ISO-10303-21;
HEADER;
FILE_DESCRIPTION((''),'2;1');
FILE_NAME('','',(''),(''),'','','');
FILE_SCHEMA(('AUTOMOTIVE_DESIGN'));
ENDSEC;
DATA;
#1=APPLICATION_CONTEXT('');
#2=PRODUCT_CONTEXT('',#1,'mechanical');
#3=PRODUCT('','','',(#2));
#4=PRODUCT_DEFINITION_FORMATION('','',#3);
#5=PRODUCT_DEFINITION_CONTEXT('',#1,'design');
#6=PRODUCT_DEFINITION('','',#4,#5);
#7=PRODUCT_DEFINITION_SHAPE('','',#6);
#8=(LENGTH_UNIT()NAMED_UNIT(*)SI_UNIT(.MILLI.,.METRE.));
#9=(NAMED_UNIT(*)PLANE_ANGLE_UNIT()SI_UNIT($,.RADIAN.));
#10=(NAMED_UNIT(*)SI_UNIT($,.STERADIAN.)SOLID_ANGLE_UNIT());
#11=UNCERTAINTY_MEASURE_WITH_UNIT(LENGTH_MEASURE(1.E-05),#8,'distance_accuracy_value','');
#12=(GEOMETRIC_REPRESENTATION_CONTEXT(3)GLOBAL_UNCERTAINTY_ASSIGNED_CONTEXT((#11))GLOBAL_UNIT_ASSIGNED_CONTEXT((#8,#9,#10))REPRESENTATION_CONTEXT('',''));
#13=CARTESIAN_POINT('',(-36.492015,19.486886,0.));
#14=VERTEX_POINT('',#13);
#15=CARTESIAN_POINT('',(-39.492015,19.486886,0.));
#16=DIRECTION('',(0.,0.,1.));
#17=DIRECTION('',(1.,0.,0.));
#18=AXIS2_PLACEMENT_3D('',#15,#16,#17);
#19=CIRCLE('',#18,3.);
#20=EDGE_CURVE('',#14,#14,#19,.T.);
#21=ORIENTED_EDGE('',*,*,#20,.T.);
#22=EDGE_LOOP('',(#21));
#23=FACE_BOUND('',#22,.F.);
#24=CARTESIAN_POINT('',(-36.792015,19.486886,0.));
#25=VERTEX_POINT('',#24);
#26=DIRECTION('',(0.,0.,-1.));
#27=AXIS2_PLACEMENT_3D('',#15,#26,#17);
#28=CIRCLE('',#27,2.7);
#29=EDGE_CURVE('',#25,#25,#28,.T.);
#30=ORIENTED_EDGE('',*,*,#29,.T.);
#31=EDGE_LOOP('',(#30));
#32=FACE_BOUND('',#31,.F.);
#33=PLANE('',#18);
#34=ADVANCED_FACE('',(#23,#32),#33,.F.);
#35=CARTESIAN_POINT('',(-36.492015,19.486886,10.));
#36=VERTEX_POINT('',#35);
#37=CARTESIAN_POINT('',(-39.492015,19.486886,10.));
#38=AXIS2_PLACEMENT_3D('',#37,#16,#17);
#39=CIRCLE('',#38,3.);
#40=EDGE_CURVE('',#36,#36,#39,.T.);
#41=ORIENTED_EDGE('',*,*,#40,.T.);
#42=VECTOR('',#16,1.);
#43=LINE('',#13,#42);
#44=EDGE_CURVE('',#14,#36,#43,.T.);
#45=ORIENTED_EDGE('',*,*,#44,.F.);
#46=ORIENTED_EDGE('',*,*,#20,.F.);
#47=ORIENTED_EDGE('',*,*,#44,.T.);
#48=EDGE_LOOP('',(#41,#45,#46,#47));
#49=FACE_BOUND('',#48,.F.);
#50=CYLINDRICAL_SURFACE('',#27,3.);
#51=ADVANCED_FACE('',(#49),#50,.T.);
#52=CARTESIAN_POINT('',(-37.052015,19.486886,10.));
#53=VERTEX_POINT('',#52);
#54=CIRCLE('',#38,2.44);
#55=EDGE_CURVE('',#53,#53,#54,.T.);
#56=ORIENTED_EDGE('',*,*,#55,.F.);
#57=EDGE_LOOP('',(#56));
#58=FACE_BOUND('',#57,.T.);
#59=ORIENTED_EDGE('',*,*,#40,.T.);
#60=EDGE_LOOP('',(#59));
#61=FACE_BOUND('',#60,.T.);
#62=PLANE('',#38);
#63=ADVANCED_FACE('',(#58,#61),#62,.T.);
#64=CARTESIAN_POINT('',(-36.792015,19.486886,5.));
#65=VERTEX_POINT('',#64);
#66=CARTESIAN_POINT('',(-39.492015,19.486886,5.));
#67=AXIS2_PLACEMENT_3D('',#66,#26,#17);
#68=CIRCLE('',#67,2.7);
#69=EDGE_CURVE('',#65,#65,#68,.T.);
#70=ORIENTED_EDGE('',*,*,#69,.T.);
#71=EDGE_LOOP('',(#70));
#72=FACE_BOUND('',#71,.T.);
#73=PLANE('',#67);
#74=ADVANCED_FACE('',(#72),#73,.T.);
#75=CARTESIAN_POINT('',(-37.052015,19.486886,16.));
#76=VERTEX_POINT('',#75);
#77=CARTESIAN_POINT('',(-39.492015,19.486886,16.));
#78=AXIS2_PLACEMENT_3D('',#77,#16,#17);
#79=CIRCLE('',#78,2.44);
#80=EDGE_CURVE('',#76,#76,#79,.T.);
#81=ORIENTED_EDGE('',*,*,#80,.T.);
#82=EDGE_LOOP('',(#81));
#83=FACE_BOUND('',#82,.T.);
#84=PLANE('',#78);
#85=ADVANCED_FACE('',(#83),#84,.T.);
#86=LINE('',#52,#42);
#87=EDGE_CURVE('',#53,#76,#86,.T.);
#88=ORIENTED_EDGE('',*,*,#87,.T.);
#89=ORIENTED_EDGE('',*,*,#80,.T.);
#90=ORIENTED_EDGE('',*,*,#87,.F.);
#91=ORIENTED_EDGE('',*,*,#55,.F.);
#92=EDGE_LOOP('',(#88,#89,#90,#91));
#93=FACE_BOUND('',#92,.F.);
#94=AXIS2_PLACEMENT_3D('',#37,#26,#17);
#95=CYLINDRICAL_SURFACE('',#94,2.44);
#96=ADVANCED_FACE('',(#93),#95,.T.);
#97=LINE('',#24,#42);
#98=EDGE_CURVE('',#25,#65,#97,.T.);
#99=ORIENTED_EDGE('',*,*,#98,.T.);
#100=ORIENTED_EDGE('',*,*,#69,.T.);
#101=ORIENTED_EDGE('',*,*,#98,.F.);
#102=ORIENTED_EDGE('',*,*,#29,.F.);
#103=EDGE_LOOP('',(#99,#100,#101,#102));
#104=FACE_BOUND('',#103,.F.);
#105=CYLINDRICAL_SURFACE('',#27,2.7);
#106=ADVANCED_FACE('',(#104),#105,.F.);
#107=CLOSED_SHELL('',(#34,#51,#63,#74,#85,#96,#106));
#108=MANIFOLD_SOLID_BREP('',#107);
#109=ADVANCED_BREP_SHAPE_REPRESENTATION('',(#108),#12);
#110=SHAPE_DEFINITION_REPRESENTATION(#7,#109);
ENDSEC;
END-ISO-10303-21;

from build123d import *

# Parameters (mm, degrees)
F0_R     = 3
F1_DEPTH = 10
F2_R     = 2.44
F3_DEPTH = 6
F4_R     = 2.7
F5_DEPTH = 5


with BuildPart() as f1:
    # F0 (on Top) → F1 (new body)
    with BuildSketch(Plane.XY):
        with Locations((-39.492015, 19.486886)):
            Circle(F0_R)
    extrude(amount=F1_DEPTH)

    # F2 (on face) → F3 (join)
    with BuildSketch(Plane.XY.offset(10)):
        with Locations((-39.492015, 19.486886)):
            Circle(F2_R)
    extrude(amount=F3_DEPTH)

    # F4 (on face) → F5 (cut)
    with BuildSketch(Plane(origin=(0, 0, 0), x_dir=(1, 0, 0), z_dir=(0, 0, -1))):
        with Locations((-39.492015, -19.486886)):
            Circle(F4_R)
    extrude(amount=-F5_DEPTH, mode=Mode.SUBTRACT)


solid = f1.part
